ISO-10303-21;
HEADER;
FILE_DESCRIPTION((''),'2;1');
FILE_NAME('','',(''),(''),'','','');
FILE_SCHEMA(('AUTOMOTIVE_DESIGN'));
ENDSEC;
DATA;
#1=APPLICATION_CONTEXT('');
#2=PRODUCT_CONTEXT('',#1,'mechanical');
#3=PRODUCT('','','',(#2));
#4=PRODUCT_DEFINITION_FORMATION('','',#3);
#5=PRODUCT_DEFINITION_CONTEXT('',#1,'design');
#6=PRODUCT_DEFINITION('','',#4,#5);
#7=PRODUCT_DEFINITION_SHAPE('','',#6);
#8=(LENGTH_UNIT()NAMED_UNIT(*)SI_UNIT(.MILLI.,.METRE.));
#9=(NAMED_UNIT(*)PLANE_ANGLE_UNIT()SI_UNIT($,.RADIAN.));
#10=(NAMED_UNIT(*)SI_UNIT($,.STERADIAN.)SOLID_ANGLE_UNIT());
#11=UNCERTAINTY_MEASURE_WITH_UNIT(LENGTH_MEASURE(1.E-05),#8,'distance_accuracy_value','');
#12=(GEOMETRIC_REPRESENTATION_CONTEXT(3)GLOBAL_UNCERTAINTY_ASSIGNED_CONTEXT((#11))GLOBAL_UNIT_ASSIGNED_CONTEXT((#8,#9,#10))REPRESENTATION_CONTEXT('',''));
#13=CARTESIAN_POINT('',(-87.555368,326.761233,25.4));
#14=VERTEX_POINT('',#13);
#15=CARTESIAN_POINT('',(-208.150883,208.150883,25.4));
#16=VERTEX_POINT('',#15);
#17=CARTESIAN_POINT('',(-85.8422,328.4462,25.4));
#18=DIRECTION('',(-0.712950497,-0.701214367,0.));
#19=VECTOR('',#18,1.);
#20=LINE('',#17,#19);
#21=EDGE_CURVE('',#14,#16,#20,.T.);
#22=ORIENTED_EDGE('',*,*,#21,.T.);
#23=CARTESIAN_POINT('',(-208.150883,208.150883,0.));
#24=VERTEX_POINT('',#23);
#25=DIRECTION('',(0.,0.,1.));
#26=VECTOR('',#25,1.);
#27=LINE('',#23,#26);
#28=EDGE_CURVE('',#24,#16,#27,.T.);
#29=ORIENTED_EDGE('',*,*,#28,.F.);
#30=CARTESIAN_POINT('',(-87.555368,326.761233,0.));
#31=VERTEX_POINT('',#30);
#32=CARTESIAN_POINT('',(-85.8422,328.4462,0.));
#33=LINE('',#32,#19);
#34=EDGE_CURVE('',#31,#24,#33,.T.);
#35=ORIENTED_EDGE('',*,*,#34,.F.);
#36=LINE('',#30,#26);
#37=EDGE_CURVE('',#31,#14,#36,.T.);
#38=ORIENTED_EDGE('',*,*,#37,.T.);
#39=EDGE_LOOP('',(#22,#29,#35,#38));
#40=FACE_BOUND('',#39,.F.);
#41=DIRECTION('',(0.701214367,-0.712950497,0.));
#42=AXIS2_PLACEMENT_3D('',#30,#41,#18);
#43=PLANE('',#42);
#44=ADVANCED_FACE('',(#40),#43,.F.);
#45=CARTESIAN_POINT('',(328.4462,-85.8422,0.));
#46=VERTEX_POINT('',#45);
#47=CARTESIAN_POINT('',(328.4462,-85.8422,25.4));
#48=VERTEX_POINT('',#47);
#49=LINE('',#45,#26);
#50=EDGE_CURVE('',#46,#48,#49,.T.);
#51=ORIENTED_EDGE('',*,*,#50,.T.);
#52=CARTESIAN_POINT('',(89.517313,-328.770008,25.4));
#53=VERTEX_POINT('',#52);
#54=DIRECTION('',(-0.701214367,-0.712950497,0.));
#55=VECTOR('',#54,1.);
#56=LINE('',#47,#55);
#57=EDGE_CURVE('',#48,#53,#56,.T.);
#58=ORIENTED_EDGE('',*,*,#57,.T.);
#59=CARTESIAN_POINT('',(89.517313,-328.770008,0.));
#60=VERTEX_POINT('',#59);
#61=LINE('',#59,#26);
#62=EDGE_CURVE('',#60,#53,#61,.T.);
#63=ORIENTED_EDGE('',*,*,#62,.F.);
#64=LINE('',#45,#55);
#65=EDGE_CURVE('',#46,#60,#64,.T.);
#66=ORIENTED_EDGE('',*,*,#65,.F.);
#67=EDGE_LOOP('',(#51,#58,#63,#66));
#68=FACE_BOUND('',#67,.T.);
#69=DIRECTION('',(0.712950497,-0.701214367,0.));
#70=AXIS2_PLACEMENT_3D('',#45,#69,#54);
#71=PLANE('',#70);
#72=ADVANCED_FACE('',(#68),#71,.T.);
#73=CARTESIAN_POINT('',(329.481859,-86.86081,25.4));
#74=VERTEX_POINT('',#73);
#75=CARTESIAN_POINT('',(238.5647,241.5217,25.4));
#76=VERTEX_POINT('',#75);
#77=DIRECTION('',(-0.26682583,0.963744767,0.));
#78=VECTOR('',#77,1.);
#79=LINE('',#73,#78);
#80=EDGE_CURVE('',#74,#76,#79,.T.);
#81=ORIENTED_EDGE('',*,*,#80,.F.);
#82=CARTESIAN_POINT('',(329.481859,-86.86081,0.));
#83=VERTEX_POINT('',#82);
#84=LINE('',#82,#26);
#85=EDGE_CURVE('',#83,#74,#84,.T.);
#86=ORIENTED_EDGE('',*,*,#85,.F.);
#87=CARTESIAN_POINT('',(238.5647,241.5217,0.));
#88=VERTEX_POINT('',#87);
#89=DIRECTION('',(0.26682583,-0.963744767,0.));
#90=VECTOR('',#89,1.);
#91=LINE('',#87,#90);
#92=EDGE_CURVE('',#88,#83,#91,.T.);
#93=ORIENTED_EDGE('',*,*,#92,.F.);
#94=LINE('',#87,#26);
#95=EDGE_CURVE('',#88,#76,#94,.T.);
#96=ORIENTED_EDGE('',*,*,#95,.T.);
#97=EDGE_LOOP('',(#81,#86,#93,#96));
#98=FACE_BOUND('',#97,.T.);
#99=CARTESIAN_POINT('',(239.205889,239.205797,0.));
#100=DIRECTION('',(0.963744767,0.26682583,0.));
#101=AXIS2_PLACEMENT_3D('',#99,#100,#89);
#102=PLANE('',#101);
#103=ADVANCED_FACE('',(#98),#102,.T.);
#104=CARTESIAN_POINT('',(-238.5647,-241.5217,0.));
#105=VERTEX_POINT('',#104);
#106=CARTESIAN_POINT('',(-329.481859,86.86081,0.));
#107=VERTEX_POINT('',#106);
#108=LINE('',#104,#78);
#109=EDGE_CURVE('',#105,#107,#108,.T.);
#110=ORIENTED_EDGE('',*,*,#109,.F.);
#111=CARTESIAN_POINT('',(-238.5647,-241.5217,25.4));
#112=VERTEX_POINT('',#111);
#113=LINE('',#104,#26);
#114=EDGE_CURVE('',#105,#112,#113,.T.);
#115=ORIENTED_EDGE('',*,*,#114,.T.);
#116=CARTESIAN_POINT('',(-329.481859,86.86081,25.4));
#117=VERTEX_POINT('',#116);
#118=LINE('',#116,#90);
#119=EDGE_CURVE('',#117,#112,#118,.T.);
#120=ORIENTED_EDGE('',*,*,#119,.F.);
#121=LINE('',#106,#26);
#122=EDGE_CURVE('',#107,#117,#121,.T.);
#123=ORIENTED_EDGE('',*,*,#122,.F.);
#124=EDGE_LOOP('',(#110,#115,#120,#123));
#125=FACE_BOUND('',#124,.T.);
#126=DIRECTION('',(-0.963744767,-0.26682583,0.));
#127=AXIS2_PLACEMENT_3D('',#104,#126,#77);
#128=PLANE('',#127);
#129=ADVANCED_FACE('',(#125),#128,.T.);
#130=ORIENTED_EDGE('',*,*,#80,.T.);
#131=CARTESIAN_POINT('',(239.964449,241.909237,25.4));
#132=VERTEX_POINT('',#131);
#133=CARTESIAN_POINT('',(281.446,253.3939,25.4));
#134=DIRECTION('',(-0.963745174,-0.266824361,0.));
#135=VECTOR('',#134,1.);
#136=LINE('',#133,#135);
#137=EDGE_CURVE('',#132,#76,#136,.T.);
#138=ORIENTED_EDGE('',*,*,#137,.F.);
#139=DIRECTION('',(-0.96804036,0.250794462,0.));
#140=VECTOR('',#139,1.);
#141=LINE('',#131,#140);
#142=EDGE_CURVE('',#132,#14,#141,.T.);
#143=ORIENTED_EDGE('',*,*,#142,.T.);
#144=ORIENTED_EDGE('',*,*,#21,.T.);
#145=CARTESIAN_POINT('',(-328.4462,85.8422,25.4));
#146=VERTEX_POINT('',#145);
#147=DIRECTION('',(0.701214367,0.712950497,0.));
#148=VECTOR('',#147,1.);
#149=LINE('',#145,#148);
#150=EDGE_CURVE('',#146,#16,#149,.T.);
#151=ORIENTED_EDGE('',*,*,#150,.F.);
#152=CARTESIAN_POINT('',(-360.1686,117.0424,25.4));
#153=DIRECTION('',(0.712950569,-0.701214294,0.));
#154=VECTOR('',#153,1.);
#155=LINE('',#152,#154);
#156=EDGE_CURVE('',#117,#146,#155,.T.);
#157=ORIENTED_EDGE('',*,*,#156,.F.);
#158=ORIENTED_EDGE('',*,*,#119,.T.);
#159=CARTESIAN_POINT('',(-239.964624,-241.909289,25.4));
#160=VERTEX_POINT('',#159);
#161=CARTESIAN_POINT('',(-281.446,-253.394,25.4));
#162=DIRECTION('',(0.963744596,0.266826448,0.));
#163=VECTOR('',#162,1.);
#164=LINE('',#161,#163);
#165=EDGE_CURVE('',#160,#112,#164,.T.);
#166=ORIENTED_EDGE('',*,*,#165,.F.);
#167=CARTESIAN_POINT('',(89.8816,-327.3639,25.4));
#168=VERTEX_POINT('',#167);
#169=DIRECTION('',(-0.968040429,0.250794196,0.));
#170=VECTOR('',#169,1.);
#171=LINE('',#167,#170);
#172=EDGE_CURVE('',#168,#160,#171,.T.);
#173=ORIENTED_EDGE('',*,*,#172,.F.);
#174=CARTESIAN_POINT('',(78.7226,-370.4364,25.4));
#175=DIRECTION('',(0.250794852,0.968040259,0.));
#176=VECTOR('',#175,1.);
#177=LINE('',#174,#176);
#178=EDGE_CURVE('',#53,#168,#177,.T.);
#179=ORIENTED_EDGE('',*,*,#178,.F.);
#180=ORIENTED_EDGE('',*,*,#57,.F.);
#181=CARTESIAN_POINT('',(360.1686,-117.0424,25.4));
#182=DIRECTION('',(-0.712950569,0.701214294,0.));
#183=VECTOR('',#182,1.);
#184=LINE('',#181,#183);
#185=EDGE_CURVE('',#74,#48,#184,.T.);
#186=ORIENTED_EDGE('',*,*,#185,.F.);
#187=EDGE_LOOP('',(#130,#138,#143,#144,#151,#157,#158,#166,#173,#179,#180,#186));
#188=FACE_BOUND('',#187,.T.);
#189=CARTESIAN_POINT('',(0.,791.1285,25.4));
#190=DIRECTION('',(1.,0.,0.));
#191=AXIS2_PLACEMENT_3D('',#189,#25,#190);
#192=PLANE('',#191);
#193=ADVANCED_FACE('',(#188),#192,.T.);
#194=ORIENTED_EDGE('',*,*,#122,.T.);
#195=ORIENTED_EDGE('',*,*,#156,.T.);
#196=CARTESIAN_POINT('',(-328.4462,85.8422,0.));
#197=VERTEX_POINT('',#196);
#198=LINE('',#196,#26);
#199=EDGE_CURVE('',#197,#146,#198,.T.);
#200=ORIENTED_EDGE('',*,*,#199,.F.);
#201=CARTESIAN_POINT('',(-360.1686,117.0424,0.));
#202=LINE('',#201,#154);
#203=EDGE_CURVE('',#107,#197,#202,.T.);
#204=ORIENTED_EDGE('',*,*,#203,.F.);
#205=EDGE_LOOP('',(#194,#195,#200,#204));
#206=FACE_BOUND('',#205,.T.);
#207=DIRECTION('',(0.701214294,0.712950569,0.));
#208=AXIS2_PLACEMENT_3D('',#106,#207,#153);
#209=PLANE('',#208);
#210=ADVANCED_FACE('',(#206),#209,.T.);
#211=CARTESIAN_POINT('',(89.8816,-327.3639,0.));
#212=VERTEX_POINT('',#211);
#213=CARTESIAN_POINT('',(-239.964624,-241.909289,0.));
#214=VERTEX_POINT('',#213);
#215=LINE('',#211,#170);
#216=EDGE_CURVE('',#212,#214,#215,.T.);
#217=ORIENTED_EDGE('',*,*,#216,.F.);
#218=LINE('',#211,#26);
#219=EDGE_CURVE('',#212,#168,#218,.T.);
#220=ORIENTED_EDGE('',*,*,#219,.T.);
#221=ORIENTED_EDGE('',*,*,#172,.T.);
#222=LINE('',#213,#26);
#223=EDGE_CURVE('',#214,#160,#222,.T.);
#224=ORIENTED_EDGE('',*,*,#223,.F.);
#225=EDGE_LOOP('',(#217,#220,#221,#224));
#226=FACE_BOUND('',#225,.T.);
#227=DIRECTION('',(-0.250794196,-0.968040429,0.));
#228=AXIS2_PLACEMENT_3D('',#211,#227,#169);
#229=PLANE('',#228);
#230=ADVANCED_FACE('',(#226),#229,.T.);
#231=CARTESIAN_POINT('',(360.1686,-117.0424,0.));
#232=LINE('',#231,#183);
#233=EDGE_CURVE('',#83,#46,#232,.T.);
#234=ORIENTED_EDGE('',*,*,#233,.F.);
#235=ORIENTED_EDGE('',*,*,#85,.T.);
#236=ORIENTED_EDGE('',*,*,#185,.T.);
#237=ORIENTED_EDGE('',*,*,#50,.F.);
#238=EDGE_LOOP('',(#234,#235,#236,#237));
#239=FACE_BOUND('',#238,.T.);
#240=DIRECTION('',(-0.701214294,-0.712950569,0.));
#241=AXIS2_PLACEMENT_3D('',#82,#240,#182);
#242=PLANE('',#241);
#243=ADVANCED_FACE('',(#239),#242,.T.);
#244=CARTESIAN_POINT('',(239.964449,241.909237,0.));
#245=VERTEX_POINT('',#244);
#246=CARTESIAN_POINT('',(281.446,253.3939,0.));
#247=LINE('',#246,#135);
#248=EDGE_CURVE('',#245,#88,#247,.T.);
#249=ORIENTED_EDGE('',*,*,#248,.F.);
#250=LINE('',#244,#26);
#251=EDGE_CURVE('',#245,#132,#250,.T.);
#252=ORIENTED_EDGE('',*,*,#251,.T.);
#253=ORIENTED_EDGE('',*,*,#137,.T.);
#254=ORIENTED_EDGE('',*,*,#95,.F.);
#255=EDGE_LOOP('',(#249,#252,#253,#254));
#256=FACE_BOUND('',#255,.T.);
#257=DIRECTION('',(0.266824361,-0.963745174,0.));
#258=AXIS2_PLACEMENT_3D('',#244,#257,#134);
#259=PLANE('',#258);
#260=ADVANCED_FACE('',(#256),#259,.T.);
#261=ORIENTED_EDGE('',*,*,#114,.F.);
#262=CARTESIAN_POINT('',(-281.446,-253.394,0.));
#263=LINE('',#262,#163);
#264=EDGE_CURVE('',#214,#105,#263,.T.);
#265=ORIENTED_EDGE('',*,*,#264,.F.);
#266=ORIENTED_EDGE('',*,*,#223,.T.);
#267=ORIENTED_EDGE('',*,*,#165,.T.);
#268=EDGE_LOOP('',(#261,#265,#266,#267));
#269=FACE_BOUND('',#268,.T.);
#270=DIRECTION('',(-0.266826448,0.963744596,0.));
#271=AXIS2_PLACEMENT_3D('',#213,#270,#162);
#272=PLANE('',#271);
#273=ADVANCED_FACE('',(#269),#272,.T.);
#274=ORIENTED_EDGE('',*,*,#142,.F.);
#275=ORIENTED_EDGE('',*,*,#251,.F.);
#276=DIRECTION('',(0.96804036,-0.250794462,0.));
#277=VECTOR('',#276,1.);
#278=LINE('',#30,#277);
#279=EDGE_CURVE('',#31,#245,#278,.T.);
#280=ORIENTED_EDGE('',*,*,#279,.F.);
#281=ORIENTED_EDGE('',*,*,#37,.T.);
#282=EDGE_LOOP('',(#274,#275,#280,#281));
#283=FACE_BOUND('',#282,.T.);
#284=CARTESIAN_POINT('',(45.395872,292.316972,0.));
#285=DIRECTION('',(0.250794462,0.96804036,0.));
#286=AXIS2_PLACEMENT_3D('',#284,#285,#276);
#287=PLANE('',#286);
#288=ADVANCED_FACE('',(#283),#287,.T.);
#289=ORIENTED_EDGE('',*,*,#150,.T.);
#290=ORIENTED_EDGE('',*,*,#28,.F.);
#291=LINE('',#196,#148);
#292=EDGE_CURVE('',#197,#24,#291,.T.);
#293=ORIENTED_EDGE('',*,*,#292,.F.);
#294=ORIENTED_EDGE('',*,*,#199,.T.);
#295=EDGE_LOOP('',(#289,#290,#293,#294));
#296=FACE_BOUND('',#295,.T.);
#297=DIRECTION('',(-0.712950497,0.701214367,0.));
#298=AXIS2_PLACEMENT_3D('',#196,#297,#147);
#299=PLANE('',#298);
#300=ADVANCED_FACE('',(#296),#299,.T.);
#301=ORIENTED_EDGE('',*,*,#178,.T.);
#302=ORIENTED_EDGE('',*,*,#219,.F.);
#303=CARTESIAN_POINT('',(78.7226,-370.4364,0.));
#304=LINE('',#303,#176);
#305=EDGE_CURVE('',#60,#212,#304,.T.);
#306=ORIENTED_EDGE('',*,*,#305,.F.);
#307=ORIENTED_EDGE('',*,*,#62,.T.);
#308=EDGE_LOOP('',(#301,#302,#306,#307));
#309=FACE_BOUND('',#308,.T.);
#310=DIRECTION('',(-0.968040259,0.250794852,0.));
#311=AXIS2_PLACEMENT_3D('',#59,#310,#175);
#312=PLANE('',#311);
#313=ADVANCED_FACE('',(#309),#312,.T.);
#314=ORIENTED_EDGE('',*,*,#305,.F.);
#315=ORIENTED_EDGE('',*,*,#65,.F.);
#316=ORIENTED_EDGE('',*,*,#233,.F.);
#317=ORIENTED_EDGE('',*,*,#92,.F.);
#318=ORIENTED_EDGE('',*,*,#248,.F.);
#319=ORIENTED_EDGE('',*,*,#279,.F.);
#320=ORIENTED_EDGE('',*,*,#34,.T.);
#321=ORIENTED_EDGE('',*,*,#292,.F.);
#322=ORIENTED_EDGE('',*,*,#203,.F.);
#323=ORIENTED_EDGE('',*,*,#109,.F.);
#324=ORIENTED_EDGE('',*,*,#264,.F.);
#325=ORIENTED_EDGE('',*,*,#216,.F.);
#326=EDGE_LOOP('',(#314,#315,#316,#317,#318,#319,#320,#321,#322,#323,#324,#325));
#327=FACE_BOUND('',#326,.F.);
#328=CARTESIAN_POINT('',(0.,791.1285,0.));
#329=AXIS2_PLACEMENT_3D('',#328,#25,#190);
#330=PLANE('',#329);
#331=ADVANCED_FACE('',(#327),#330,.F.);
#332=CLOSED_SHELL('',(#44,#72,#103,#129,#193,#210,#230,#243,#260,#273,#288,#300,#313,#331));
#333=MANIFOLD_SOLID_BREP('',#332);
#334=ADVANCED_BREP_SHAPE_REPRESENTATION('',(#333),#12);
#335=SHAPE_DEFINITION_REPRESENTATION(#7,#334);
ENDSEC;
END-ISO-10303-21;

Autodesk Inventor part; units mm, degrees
ref_plane "YZ Plane" through (0, 0, 0) normal (1, 0, 0) x (0, 1, 0)
ref_plane "XZ Plane" through (0, 0, 0) normal (0, 1, 0) x (-1, 0, 0)
ref_plane "XY Plane" through (0, 0, 0) normal (0, 0, 1) x (1, 0, 0)
ref_plane "Work Plane1" through (0, 791.1285, 0) normal (0, 0, 1) x (1, 0, 0)
sketch "Sketch1" plane through (0, 791.1285, 0) normal (0, 0, 1) x (1, 0, 0)
  line L0 (328.4462, -876.9707) -> (81.1956, -1128.3595)
  line L1 (81.1956, -1128.3595) -> (112.918, -1159.5597)
  line L2 (112.918, -1159.5597) -> (360.1686, -908.1709)
  line L3 (360.1686, -908.1709) -> (328.4462, -876.9707)
  line L4 (259.0451, -532.0835) -> (0, -791.1285)
  line L5 (0, -791.1285) -> (-263.229, -1054.3575)
  line L6 (-85.8422, -462.6823) -> (-337.231, -709.9329)
  line L7 (-337.231, -709.9329) -> (-368.4312, -678.2105)
  line L8 (-368.4312, -678.2105) -> (-117.0424, -430.9599)
  line L9 (-117.0424, -430.9599) -> (-85.8422, -462.6823)
  line L10 (237.1469, -307.0605) -> (-387.5175, -931.7249)
  line L11 (375.5297, -877.5543) -> (281.446, -537.7346)
  line L12 (238.5647, -549.6068) -> (332.6484, -889.4265)
  line L13 (281.446, -537.7346) -> (238.5647, -549.6068)
  line L14 (332.6484, -889.4265) -> (375.5297, -877.5543)
  line L15 (262.6118, -509.1231) -> (-78.7226, -420.6921)
  line L16 (-89.8816, -463.7646) -> (251.4528, -552.1956)
  line L17 (-78.7226, -420.6921) -> (-89.8816, -463.7646)
  line L18 (251.4528, -552.1956) -> (262.6118, -509.1231)
  line L19 (-112.918, -422.6973) -> (-360.1686, -674.0861)
  line L20 (-328.4462, -705.2863) -> (-81.1956, -453.8975)
  line L21 (-360.1686, -674.0861) -> (-328.4462, -705.2863)
  line L22 (-81.1956, -453.8975) -> (-112.918, -422.6973)
  line L23 (-375.5297, -704.7028) -> (-281.446, -1044.5225)
  line L24 (-238.5647, -1032.6502) -> (-332.6484, -692.8305)
  line L25 (-281.446, -1044.5225) -> (-238.5647, -1032.6502)
  line L26 (-332.6484, -692.8305) -> (-375.5297, -704.7028)
  line L27 (-262.6118, -1073.134) -> (78.7226, -1161.5649)
  line L28 (89.8816, -1118.4924) -> (-251.4528, -1030.0615)
  line L29 (78.7226, -1161.5649) -> (89.8816, -1118.4924)
  line L30 (-251.4528, -1030.0615) -> (-262.6118, -1073.134)
  point P0 (-329.4818, -704.2678)
  point P1 (-239.9645, -1033.0378)
  point P2 (89.5173, -1119.8985)
  point P3 (329.4818, -877.9893)
  point P4 (239.9645, -549.2193)
  point P5 (-87.5554, -464.3673)
  point P6 (-208.1509, -582.9776)
  dimension "d0" = 174.5996
  dimension "d1" = 0.475
  dimension "d2" = 352.6034
  dimension "d5" = 360
extrude "Extrusion1" add sketch "Sketch1" along normal blind 25.4 contours L0 L29 L28 L25 L24 L5 L4 L12 L3 | L4 L5 L24 L10 L16 L13 L12 | L10 L24 L21 L20 L6 L16
